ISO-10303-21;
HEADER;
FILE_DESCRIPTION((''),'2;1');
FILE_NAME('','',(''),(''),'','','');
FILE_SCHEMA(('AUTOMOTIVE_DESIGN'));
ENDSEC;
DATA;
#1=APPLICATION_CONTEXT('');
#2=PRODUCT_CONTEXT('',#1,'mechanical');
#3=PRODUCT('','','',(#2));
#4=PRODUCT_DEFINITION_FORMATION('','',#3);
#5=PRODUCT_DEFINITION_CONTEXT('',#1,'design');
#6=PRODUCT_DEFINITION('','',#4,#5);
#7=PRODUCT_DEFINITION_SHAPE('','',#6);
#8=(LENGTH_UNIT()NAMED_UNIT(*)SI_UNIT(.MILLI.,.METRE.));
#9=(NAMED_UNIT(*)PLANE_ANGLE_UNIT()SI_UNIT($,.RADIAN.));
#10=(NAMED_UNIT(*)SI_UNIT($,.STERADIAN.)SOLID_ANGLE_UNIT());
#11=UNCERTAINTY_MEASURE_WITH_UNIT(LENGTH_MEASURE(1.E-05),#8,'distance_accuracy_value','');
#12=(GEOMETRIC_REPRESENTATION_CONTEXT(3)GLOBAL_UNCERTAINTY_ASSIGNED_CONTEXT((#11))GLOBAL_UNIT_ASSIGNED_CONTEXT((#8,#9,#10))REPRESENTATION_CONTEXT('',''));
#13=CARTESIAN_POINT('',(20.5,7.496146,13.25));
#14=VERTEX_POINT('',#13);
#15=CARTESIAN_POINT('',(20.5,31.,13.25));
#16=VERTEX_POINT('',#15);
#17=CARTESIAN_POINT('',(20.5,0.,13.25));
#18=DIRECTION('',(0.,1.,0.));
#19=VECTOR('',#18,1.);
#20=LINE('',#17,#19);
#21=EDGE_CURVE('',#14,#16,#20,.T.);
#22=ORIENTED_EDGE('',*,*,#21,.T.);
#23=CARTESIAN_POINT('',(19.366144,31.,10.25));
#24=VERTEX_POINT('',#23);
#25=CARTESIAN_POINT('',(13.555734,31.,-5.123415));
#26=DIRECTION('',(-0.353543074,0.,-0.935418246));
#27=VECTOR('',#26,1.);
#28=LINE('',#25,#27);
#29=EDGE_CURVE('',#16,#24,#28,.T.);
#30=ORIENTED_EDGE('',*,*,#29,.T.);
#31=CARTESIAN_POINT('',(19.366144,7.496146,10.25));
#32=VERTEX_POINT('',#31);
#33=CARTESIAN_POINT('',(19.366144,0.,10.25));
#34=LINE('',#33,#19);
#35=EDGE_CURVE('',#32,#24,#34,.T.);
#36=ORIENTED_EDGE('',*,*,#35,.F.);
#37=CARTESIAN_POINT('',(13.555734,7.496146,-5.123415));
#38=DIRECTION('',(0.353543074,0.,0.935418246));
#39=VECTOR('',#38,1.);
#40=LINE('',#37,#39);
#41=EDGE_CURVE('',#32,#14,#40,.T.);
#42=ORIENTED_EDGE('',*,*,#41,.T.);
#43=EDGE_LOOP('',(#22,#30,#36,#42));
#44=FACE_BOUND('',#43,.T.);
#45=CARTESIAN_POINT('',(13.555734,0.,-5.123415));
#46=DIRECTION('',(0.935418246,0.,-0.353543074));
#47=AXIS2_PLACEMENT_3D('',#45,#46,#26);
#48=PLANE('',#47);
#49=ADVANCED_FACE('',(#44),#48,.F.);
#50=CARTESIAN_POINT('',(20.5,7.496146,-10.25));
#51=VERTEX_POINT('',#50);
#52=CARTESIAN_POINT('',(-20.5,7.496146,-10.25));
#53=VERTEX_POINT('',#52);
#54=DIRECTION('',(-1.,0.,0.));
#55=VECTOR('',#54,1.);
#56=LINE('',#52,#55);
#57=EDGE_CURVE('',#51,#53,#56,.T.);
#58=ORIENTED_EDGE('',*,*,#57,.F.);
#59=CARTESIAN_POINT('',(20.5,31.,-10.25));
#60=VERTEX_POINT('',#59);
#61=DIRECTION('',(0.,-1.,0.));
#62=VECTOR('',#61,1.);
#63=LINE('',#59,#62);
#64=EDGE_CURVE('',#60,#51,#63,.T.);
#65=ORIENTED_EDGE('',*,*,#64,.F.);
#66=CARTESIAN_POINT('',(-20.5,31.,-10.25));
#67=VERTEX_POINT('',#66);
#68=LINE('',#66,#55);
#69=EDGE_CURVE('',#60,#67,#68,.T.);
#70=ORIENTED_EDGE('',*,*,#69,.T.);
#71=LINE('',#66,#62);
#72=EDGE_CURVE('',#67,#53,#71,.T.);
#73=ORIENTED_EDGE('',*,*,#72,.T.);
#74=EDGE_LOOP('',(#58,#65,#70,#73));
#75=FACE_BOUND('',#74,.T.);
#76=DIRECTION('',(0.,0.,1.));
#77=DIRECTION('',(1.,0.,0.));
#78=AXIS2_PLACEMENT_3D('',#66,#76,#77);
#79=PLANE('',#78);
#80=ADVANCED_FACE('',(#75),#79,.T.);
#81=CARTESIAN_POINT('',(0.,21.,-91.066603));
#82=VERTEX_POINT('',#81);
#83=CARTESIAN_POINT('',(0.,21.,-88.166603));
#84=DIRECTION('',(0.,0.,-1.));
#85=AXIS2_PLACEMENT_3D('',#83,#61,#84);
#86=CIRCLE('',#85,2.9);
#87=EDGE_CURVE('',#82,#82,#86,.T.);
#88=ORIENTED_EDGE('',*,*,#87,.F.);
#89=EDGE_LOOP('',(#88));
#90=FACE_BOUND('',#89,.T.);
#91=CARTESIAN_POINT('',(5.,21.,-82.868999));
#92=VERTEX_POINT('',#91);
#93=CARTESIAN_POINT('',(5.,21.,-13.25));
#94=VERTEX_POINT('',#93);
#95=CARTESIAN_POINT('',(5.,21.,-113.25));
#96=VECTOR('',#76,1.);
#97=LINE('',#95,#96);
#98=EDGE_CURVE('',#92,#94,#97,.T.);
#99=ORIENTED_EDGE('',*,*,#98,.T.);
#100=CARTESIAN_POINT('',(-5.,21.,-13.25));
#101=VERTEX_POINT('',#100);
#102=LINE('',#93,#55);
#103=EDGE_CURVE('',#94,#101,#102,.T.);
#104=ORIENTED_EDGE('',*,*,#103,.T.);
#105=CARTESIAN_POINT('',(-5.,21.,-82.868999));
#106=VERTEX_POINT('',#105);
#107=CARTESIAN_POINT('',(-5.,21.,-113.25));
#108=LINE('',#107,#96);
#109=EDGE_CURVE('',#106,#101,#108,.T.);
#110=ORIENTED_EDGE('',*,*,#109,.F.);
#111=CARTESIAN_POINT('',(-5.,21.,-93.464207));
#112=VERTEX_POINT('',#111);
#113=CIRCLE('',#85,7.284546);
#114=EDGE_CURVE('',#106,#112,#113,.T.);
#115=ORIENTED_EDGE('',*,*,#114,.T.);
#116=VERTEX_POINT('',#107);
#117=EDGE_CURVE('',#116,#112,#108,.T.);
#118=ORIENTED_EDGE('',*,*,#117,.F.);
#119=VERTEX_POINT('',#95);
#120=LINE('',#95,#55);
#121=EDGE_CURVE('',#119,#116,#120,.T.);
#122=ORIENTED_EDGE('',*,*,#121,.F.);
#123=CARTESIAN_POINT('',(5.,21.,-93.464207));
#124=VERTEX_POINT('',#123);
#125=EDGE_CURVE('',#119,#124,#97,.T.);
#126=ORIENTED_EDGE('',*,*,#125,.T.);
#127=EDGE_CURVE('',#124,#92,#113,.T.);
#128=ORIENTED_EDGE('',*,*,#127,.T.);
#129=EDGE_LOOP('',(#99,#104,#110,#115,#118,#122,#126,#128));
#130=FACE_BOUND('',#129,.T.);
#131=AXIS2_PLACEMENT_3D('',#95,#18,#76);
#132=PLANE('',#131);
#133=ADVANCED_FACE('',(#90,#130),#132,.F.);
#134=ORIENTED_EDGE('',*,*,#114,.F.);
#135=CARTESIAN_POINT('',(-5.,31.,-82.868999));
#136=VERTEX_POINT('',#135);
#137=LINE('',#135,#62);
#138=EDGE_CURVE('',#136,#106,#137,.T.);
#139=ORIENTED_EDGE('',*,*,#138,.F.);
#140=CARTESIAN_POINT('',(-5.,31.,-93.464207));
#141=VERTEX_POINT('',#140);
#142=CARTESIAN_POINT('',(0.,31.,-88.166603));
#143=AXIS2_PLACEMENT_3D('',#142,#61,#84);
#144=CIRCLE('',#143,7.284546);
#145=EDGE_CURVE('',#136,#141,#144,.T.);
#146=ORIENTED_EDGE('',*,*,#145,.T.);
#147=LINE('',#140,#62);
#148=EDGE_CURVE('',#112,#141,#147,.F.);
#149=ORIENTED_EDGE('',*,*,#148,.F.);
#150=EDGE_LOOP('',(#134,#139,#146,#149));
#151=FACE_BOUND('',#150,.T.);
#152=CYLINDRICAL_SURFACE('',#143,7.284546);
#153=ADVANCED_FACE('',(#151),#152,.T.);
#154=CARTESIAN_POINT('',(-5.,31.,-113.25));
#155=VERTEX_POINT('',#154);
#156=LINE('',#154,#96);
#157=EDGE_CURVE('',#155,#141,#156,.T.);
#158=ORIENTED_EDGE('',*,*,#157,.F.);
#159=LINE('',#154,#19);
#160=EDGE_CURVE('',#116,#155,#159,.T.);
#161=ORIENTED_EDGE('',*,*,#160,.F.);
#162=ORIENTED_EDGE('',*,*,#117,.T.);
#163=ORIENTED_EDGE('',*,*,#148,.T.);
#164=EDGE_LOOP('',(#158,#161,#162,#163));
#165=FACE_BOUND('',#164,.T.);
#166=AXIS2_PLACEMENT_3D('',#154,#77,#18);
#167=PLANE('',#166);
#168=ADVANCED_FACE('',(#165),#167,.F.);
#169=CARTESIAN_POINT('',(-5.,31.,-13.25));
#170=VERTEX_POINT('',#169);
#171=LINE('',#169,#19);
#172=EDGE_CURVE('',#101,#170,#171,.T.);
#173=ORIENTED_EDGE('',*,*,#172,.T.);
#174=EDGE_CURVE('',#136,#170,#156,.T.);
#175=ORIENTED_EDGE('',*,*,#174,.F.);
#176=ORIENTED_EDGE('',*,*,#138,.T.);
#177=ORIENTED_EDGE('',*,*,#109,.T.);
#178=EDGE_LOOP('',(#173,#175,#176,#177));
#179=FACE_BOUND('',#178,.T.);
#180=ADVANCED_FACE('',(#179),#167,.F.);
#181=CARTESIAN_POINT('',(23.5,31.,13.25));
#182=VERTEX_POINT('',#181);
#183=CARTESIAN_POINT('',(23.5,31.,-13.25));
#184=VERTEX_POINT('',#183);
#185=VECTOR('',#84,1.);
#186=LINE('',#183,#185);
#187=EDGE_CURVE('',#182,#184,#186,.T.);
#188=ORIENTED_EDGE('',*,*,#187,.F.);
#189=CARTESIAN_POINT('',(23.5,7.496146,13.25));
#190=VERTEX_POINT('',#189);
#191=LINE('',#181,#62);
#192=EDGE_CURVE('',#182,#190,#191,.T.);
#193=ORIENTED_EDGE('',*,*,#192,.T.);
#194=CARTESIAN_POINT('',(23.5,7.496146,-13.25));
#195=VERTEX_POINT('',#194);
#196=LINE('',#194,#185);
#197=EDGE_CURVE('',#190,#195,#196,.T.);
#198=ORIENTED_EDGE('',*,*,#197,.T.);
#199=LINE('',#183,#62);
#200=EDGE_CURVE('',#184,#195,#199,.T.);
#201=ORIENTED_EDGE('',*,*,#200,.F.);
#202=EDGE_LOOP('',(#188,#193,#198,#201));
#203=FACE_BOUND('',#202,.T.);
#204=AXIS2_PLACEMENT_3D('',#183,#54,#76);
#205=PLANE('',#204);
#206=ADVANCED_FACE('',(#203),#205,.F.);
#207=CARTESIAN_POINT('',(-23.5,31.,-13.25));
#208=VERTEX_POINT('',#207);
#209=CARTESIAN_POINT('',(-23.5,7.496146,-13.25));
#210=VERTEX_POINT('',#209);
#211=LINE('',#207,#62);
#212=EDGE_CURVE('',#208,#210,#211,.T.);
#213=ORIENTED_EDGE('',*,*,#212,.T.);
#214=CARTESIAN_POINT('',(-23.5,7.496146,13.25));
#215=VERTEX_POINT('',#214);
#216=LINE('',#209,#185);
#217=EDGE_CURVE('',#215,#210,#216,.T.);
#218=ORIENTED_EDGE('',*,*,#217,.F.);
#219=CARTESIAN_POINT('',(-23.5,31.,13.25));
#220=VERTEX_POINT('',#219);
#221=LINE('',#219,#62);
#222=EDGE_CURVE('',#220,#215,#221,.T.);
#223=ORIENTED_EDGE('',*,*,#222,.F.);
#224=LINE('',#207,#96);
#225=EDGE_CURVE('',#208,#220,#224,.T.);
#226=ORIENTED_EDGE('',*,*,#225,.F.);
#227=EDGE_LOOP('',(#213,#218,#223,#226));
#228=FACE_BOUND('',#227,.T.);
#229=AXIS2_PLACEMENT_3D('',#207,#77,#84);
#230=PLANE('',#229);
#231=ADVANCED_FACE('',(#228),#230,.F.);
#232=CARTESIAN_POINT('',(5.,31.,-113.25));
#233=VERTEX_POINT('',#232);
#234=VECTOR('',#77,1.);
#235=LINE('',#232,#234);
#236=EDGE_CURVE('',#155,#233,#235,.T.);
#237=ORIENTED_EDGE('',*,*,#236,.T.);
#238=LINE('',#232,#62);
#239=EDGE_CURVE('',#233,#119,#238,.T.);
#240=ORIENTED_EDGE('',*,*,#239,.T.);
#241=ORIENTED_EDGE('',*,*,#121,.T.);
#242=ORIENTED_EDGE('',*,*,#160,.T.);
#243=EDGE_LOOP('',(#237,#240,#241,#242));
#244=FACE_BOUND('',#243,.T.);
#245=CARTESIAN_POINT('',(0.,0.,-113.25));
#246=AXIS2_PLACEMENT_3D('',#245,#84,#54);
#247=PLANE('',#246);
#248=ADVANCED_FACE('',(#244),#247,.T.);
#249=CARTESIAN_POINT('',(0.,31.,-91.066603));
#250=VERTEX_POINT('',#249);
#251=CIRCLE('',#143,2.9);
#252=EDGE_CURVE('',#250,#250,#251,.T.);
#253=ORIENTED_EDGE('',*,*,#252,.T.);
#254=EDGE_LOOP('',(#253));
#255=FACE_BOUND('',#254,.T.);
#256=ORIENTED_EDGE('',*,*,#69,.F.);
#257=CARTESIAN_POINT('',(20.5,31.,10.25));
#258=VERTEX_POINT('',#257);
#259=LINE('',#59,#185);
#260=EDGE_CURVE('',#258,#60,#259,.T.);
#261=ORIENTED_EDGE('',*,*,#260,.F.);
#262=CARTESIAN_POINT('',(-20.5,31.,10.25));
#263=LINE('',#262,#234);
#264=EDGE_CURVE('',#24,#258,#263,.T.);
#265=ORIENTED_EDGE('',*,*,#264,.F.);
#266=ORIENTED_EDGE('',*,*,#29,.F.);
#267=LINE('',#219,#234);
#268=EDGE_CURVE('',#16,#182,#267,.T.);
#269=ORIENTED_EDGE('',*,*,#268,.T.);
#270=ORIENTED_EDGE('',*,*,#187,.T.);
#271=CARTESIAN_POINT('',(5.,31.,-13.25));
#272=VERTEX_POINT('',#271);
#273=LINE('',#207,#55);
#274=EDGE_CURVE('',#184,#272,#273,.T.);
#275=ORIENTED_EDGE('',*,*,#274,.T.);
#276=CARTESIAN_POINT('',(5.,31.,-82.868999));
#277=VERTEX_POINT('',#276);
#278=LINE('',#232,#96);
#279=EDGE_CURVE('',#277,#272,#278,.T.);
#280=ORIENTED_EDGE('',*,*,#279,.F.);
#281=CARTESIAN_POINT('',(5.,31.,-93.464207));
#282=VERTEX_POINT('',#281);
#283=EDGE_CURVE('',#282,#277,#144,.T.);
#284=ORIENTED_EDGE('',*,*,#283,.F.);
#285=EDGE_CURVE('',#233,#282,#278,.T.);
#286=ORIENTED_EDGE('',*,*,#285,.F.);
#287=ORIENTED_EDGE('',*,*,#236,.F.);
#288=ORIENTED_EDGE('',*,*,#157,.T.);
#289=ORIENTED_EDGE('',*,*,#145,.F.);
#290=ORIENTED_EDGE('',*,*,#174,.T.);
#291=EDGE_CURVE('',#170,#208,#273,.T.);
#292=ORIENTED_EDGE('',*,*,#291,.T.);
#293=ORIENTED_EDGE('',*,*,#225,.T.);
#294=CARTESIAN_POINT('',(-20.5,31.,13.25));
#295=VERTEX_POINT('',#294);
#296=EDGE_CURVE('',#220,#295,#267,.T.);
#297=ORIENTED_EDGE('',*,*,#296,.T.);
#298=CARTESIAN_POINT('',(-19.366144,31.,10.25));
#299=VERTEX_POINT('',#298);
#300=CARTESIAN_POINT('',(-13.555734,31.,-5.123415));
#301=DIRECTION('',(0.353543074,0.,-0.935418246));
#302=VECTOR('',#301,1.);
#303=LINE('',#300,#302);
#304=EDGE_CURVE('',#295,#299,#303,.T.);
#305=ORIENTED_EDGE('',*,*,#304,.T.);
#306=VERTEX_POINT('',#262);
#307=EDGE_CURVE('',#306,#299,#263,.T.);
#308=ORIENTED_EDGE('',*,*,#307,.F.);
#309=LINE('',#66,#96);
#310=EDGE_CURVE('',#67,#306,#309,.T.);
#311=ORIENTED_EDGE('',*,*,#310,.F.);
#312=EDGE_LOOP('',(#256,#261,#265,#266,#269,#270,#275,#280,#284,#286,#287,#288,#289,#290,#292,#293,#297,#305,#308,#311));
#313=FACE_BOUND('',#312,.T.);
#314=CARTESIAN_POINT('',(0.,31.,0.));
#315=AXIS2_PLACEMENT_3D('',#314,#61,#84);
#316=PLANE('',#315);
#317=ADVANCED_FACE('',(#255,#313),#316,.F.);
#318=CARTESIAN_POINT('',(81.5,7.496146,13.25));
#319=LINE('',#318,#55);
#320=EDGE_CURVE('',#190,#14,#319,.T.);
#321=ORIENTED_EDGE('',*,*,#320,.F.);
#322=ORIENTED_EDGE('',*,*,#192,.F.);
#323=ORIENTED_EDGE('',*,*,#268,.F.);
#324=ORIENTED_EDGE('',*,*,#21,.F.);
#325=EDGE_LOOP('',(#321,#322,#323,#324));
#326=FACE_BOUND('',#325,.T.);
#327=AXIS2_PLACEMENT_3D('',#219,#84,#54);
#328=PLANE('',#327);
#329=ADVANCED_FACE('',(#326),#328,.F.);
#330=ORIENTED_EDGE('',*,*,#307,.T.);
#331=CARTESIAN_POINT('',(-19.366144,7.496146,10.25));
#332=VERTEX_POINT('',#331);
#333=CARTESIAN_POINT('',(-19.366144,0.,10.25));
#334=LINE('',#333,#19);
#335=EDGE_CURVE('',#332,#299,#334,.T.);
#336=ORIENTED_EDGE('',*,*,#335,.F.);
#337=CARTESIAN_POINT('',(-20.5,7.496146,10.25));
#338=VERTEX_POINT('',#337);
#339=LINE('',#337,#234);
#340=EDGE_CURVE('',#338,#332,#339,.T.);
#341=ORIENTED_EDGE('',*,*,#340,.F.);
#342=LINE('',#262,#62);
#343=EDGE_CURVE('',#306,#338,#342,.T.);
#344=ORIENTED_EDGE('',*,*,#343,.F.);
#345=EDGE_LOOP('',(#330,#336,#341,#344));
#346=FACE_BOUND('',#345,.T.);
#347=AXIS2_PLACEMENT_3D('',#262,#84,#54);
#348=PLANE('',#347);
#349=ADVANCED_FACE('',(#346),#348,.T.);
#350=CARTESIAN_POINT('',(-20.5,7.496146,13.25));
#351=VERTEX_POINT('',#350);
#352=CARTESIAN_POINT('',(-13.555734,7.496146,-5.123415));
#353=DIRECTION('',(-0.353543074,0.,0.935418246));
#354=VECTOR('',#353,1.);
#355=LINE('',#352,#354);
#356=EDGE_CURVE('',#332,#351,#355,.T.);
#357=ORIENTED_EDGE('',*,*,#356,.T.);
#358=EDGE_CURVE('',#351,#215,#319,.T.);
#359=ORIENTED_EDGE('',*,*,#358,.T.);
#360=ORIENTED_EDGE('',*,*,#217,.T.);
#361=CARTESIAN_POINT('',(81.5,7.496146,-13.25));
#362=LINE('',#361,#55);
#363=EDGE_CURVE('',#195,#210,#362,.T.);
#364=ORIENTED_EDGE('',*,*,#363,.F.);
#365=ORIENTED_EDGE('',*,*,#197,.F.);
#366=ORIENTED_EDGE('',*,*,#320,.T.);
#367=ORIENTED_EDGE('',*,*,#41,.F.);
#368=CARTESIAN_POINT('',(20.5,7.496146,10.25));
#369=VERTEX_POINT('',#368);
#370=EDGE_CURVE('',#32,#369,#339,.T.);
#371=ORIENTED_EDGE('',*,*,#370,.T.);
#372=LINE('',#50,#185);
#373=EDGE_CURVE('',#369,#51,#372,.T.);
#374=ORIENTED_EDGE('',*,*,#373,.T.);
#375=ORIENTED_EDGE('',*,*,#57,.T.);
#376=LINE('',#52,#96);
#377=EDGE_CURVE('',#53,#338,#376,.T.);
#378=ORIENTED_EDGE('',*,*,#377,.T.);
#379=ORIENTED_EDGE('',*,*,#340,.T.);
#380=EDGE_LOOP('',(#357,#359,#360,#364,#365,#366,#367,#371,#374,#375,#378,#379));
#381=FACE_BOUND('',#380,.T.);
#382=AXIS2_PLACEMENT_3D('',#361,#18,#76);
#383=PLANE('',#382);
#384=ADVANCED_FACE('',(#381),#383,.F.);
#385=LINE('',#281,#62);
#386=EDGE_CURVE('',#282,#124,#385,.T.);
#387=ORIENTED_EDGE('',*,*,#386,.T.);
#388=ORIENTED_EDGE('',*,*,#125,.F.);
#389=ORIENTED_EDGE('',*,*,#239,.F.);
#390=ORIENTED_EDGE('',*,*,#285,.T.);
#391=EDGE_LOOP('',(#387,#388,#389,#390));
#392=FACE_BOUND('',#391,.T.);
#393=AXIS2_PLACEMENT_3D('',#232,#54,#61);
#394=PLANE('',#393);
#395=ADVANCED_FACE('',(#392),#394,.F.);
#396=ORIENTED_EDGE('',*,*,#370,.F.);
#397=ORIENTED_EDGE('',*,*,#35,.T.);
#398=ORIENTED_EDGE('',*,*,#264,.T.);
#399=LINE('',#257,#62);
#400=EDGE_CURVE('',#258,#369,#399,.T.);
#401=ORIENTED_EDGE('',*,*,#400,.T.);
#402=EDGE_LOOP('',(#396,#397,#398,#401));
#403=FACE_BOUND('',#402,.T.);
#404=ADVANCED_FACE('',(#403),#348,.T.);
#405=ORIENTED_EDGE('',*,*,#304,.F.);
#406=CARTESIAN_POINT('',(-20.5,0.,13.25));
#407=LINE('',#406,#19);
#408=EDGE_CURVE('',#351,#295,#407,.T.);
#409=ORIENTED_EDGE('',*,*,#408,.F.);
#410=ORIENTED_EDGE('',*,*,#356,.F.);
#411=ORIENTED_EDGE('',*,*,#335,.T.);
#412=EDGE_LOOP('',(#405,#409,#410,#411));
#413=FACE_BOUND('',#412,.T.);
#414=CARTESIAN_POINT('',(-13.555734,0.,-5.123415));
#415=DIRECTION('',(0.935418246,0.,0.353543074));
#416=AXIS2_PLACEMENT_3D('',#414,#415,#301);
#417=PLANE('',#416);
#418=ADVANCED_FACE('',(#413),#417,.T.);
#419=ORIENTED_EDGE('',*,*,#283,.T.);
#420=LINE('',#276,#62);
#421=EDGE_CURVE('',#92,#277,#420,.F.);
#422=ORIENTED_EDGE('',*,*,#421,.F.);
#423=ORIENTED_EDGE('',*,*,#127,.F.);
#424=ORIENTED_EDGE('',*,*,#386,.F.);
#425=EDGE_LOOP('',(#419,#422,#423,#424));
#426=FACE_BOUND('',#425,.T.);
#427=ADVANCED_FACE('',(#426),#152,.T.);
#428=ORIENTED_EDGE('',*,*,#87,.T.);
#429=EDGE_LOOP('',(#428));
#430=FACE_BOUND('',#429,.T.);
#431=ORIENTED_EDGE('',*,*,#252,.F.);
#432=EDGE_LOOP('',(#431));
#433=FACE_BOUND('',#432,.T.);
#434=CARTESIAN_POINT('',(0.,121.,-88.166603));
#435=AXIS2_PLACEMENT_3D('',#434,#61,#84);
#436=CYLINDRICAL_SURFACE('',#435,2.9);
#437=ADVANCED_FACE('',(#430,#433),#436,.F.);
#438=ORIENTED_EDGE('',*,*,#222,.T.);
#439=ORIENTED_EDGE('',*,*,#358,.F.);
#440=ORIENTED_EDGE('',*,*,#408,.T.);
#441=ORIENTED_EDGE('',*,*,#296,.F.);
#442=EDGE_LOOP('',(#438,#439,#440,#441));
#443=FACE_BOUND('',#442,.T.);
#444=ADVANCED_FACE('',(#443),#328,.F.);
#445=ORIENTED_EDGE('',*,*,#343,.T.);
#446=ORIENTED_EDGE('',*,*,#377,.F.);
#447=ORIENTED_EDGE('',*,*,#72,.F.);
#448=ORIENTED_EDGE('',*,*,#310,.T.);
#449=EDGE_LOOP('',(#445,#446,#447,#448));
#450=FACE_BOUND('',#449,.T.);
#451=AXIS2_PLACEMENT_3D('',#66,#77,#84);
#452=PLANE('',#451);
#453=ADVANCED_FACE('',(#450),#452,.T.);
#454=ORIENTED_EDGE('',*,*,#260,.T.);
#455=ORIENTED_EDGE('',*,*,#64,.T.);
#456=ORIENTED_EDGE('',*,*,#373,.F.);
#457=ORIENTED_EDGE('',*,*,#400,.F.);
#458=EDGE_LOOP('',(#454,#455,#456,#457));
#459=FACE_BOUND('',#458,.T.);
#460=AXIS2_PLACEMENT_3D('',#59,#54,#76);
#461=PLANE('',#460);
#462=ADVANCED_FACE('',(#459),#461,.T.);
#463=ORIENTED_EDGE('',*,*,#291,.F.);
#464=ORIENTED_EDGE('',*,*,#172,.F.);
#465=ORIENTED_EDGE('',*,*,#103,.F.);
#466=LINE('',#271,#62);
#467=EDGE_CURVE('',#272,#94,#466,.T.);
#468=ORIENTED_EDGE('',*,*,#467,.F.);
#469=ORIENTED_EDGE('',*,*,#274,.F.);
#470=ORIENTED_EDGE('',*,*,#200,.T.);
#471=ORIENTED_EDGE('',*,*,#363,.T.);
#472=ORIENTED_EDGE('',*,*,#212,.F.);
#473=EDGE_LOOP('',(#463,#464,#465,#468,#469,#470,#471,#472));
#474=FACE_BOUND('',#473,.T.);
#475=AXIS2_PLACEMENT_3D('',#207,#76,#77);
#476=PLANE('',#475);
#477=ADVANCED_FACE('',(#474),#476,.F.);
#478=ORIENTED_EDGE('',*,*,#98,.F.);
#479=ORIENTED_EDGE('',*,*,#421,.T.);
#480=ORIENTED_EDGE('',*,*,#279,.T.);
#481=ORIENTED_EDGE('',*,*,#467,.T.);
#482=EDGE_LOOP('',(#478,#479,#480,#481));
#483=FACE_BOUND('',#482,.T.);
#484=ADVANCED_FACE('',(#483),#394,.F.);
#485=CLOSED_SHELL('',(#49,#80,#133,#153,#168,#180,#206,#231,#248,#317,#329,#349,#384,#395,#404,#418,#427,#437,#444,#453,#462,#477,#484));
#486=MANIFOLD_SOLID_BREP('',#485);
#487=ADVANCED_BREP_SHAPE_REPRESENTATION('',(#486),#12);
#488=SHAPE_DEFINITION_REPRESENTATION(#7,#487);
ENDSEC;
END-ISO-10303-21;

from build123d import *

# Parameters (mm, degrees)
SKETCH1_W           = 47
SKETCH1_H           = 26.5
SKETCH1_W_2         = 41
SKETCH1_H_2         = 20.5
BOSS_EXTRUDE1_DEPTH = 31
CUT_EXTRUDE2_DEPTH  = 31
SKETCH4_W           = 10
SKETCH4_H           = 10
BOSS_EXTRUDE3_DEPTH = 100
SKETCH7_R           = 2.9
CUT_EXTRUDE5_DEPTH  = 100
SKETCH8_R           = 7.284546015
SKETCH8_R_2         = 2.9
BOSS_EXTRUDE4_DEPTH = 10
SKETCH10_W          = 26.5
SKETCH10_H          = 7.496145738
CUT_EXTRUDE6_DEPTH  = 105


with BuildPart() as part:
    # Sketch1 → Boss-Extrude1 (new body)
    with BuildSketch(Plane(origin=(0, 0, 0), x_dir=(1, 0, 0), z_dir=(0, 1, 0))):
        Rectangle(SKETCH1_W, SKETCH1_H)
        Rectangle(SKETCH1_W_2, SKETCH1_H_2, mode=Mode.SUBTRACT)
    extrude(amount=BOSS_EXTRUDE1_DEPTH)

    # Sketch3 → Cut-Extrude2 (cut)
    with BuildSketch(Plane(origin=(0, 31, 0), x_dir=(1, 0, 0), z_dir=(0, 1, 0))):
        Polygon((-19.366144394, -10.25), (-20.5, -13.25), (0, -13.25), (0, -10.25), align=None)
        Polygon((0, -10.25), (0, -13.25), (20.5, -13.25), (19.366144394, -10.25), align=None)
    extrude(amount=-CUT_EXTRUDE2_DEPTH, mode=Mode.SUBTRACT)

    # Sketch4 → Boss-Extrude3 (add)
    with BuildSketch(Plane(origin=(0, 0, -13.25), x_dir=(-1, 0, 0), z_dir=(0, 0, -1))):
        with Locations((0, 26)):
            Rectangle(SKETCH4_W, SKETCH4_H)
    extrude(amount=BOSS_EXTRUDE3_DEPTH)

    # Sketch7 → Cut-Extrude5 (cut)
    with BuildSketch(Plane.XZ.offset(-21)):
        with Locations(Location((0, -88.166602936, 0), (0, 0, 270))):
            Circle(SKETCH7_R)
    extrude(amount=-CUT_EXTRUDE5_DEPTH, mode=Mode.SUBTRACT)

    # Sketch8 → Boss-Extrude4 (add)
    with BuildSketch(Plane(origin=(0, 21, 0), x_dir=(-1, 0, 0), z_dir=(0, -1, 0))):
        with Locations((0, 88.166602936)):
            Circle(SKETCH8_R)
        with Locations(Location((0, 88.166602936, 0), (0, 0, 90))):
            Circle(SKETCH8_R_2, mode=Mode.SUBTRACT)
    extrude(amount=-BOSS_EXTRUDE4_DEPTH)

    # Sketch10 → Cut-Extrude6 (cut)
    with BuildSketch(Plane.ZY.offset(23.5)):
        with Locations((0, 3.748072869)):
            Rectangle(SKETCH10_W, SKETCH10_H)
    extrude(amount=-CUT_EXTRUDE6_DEPTH, mode=Mode.SUBTRACT)


solid = part.part
